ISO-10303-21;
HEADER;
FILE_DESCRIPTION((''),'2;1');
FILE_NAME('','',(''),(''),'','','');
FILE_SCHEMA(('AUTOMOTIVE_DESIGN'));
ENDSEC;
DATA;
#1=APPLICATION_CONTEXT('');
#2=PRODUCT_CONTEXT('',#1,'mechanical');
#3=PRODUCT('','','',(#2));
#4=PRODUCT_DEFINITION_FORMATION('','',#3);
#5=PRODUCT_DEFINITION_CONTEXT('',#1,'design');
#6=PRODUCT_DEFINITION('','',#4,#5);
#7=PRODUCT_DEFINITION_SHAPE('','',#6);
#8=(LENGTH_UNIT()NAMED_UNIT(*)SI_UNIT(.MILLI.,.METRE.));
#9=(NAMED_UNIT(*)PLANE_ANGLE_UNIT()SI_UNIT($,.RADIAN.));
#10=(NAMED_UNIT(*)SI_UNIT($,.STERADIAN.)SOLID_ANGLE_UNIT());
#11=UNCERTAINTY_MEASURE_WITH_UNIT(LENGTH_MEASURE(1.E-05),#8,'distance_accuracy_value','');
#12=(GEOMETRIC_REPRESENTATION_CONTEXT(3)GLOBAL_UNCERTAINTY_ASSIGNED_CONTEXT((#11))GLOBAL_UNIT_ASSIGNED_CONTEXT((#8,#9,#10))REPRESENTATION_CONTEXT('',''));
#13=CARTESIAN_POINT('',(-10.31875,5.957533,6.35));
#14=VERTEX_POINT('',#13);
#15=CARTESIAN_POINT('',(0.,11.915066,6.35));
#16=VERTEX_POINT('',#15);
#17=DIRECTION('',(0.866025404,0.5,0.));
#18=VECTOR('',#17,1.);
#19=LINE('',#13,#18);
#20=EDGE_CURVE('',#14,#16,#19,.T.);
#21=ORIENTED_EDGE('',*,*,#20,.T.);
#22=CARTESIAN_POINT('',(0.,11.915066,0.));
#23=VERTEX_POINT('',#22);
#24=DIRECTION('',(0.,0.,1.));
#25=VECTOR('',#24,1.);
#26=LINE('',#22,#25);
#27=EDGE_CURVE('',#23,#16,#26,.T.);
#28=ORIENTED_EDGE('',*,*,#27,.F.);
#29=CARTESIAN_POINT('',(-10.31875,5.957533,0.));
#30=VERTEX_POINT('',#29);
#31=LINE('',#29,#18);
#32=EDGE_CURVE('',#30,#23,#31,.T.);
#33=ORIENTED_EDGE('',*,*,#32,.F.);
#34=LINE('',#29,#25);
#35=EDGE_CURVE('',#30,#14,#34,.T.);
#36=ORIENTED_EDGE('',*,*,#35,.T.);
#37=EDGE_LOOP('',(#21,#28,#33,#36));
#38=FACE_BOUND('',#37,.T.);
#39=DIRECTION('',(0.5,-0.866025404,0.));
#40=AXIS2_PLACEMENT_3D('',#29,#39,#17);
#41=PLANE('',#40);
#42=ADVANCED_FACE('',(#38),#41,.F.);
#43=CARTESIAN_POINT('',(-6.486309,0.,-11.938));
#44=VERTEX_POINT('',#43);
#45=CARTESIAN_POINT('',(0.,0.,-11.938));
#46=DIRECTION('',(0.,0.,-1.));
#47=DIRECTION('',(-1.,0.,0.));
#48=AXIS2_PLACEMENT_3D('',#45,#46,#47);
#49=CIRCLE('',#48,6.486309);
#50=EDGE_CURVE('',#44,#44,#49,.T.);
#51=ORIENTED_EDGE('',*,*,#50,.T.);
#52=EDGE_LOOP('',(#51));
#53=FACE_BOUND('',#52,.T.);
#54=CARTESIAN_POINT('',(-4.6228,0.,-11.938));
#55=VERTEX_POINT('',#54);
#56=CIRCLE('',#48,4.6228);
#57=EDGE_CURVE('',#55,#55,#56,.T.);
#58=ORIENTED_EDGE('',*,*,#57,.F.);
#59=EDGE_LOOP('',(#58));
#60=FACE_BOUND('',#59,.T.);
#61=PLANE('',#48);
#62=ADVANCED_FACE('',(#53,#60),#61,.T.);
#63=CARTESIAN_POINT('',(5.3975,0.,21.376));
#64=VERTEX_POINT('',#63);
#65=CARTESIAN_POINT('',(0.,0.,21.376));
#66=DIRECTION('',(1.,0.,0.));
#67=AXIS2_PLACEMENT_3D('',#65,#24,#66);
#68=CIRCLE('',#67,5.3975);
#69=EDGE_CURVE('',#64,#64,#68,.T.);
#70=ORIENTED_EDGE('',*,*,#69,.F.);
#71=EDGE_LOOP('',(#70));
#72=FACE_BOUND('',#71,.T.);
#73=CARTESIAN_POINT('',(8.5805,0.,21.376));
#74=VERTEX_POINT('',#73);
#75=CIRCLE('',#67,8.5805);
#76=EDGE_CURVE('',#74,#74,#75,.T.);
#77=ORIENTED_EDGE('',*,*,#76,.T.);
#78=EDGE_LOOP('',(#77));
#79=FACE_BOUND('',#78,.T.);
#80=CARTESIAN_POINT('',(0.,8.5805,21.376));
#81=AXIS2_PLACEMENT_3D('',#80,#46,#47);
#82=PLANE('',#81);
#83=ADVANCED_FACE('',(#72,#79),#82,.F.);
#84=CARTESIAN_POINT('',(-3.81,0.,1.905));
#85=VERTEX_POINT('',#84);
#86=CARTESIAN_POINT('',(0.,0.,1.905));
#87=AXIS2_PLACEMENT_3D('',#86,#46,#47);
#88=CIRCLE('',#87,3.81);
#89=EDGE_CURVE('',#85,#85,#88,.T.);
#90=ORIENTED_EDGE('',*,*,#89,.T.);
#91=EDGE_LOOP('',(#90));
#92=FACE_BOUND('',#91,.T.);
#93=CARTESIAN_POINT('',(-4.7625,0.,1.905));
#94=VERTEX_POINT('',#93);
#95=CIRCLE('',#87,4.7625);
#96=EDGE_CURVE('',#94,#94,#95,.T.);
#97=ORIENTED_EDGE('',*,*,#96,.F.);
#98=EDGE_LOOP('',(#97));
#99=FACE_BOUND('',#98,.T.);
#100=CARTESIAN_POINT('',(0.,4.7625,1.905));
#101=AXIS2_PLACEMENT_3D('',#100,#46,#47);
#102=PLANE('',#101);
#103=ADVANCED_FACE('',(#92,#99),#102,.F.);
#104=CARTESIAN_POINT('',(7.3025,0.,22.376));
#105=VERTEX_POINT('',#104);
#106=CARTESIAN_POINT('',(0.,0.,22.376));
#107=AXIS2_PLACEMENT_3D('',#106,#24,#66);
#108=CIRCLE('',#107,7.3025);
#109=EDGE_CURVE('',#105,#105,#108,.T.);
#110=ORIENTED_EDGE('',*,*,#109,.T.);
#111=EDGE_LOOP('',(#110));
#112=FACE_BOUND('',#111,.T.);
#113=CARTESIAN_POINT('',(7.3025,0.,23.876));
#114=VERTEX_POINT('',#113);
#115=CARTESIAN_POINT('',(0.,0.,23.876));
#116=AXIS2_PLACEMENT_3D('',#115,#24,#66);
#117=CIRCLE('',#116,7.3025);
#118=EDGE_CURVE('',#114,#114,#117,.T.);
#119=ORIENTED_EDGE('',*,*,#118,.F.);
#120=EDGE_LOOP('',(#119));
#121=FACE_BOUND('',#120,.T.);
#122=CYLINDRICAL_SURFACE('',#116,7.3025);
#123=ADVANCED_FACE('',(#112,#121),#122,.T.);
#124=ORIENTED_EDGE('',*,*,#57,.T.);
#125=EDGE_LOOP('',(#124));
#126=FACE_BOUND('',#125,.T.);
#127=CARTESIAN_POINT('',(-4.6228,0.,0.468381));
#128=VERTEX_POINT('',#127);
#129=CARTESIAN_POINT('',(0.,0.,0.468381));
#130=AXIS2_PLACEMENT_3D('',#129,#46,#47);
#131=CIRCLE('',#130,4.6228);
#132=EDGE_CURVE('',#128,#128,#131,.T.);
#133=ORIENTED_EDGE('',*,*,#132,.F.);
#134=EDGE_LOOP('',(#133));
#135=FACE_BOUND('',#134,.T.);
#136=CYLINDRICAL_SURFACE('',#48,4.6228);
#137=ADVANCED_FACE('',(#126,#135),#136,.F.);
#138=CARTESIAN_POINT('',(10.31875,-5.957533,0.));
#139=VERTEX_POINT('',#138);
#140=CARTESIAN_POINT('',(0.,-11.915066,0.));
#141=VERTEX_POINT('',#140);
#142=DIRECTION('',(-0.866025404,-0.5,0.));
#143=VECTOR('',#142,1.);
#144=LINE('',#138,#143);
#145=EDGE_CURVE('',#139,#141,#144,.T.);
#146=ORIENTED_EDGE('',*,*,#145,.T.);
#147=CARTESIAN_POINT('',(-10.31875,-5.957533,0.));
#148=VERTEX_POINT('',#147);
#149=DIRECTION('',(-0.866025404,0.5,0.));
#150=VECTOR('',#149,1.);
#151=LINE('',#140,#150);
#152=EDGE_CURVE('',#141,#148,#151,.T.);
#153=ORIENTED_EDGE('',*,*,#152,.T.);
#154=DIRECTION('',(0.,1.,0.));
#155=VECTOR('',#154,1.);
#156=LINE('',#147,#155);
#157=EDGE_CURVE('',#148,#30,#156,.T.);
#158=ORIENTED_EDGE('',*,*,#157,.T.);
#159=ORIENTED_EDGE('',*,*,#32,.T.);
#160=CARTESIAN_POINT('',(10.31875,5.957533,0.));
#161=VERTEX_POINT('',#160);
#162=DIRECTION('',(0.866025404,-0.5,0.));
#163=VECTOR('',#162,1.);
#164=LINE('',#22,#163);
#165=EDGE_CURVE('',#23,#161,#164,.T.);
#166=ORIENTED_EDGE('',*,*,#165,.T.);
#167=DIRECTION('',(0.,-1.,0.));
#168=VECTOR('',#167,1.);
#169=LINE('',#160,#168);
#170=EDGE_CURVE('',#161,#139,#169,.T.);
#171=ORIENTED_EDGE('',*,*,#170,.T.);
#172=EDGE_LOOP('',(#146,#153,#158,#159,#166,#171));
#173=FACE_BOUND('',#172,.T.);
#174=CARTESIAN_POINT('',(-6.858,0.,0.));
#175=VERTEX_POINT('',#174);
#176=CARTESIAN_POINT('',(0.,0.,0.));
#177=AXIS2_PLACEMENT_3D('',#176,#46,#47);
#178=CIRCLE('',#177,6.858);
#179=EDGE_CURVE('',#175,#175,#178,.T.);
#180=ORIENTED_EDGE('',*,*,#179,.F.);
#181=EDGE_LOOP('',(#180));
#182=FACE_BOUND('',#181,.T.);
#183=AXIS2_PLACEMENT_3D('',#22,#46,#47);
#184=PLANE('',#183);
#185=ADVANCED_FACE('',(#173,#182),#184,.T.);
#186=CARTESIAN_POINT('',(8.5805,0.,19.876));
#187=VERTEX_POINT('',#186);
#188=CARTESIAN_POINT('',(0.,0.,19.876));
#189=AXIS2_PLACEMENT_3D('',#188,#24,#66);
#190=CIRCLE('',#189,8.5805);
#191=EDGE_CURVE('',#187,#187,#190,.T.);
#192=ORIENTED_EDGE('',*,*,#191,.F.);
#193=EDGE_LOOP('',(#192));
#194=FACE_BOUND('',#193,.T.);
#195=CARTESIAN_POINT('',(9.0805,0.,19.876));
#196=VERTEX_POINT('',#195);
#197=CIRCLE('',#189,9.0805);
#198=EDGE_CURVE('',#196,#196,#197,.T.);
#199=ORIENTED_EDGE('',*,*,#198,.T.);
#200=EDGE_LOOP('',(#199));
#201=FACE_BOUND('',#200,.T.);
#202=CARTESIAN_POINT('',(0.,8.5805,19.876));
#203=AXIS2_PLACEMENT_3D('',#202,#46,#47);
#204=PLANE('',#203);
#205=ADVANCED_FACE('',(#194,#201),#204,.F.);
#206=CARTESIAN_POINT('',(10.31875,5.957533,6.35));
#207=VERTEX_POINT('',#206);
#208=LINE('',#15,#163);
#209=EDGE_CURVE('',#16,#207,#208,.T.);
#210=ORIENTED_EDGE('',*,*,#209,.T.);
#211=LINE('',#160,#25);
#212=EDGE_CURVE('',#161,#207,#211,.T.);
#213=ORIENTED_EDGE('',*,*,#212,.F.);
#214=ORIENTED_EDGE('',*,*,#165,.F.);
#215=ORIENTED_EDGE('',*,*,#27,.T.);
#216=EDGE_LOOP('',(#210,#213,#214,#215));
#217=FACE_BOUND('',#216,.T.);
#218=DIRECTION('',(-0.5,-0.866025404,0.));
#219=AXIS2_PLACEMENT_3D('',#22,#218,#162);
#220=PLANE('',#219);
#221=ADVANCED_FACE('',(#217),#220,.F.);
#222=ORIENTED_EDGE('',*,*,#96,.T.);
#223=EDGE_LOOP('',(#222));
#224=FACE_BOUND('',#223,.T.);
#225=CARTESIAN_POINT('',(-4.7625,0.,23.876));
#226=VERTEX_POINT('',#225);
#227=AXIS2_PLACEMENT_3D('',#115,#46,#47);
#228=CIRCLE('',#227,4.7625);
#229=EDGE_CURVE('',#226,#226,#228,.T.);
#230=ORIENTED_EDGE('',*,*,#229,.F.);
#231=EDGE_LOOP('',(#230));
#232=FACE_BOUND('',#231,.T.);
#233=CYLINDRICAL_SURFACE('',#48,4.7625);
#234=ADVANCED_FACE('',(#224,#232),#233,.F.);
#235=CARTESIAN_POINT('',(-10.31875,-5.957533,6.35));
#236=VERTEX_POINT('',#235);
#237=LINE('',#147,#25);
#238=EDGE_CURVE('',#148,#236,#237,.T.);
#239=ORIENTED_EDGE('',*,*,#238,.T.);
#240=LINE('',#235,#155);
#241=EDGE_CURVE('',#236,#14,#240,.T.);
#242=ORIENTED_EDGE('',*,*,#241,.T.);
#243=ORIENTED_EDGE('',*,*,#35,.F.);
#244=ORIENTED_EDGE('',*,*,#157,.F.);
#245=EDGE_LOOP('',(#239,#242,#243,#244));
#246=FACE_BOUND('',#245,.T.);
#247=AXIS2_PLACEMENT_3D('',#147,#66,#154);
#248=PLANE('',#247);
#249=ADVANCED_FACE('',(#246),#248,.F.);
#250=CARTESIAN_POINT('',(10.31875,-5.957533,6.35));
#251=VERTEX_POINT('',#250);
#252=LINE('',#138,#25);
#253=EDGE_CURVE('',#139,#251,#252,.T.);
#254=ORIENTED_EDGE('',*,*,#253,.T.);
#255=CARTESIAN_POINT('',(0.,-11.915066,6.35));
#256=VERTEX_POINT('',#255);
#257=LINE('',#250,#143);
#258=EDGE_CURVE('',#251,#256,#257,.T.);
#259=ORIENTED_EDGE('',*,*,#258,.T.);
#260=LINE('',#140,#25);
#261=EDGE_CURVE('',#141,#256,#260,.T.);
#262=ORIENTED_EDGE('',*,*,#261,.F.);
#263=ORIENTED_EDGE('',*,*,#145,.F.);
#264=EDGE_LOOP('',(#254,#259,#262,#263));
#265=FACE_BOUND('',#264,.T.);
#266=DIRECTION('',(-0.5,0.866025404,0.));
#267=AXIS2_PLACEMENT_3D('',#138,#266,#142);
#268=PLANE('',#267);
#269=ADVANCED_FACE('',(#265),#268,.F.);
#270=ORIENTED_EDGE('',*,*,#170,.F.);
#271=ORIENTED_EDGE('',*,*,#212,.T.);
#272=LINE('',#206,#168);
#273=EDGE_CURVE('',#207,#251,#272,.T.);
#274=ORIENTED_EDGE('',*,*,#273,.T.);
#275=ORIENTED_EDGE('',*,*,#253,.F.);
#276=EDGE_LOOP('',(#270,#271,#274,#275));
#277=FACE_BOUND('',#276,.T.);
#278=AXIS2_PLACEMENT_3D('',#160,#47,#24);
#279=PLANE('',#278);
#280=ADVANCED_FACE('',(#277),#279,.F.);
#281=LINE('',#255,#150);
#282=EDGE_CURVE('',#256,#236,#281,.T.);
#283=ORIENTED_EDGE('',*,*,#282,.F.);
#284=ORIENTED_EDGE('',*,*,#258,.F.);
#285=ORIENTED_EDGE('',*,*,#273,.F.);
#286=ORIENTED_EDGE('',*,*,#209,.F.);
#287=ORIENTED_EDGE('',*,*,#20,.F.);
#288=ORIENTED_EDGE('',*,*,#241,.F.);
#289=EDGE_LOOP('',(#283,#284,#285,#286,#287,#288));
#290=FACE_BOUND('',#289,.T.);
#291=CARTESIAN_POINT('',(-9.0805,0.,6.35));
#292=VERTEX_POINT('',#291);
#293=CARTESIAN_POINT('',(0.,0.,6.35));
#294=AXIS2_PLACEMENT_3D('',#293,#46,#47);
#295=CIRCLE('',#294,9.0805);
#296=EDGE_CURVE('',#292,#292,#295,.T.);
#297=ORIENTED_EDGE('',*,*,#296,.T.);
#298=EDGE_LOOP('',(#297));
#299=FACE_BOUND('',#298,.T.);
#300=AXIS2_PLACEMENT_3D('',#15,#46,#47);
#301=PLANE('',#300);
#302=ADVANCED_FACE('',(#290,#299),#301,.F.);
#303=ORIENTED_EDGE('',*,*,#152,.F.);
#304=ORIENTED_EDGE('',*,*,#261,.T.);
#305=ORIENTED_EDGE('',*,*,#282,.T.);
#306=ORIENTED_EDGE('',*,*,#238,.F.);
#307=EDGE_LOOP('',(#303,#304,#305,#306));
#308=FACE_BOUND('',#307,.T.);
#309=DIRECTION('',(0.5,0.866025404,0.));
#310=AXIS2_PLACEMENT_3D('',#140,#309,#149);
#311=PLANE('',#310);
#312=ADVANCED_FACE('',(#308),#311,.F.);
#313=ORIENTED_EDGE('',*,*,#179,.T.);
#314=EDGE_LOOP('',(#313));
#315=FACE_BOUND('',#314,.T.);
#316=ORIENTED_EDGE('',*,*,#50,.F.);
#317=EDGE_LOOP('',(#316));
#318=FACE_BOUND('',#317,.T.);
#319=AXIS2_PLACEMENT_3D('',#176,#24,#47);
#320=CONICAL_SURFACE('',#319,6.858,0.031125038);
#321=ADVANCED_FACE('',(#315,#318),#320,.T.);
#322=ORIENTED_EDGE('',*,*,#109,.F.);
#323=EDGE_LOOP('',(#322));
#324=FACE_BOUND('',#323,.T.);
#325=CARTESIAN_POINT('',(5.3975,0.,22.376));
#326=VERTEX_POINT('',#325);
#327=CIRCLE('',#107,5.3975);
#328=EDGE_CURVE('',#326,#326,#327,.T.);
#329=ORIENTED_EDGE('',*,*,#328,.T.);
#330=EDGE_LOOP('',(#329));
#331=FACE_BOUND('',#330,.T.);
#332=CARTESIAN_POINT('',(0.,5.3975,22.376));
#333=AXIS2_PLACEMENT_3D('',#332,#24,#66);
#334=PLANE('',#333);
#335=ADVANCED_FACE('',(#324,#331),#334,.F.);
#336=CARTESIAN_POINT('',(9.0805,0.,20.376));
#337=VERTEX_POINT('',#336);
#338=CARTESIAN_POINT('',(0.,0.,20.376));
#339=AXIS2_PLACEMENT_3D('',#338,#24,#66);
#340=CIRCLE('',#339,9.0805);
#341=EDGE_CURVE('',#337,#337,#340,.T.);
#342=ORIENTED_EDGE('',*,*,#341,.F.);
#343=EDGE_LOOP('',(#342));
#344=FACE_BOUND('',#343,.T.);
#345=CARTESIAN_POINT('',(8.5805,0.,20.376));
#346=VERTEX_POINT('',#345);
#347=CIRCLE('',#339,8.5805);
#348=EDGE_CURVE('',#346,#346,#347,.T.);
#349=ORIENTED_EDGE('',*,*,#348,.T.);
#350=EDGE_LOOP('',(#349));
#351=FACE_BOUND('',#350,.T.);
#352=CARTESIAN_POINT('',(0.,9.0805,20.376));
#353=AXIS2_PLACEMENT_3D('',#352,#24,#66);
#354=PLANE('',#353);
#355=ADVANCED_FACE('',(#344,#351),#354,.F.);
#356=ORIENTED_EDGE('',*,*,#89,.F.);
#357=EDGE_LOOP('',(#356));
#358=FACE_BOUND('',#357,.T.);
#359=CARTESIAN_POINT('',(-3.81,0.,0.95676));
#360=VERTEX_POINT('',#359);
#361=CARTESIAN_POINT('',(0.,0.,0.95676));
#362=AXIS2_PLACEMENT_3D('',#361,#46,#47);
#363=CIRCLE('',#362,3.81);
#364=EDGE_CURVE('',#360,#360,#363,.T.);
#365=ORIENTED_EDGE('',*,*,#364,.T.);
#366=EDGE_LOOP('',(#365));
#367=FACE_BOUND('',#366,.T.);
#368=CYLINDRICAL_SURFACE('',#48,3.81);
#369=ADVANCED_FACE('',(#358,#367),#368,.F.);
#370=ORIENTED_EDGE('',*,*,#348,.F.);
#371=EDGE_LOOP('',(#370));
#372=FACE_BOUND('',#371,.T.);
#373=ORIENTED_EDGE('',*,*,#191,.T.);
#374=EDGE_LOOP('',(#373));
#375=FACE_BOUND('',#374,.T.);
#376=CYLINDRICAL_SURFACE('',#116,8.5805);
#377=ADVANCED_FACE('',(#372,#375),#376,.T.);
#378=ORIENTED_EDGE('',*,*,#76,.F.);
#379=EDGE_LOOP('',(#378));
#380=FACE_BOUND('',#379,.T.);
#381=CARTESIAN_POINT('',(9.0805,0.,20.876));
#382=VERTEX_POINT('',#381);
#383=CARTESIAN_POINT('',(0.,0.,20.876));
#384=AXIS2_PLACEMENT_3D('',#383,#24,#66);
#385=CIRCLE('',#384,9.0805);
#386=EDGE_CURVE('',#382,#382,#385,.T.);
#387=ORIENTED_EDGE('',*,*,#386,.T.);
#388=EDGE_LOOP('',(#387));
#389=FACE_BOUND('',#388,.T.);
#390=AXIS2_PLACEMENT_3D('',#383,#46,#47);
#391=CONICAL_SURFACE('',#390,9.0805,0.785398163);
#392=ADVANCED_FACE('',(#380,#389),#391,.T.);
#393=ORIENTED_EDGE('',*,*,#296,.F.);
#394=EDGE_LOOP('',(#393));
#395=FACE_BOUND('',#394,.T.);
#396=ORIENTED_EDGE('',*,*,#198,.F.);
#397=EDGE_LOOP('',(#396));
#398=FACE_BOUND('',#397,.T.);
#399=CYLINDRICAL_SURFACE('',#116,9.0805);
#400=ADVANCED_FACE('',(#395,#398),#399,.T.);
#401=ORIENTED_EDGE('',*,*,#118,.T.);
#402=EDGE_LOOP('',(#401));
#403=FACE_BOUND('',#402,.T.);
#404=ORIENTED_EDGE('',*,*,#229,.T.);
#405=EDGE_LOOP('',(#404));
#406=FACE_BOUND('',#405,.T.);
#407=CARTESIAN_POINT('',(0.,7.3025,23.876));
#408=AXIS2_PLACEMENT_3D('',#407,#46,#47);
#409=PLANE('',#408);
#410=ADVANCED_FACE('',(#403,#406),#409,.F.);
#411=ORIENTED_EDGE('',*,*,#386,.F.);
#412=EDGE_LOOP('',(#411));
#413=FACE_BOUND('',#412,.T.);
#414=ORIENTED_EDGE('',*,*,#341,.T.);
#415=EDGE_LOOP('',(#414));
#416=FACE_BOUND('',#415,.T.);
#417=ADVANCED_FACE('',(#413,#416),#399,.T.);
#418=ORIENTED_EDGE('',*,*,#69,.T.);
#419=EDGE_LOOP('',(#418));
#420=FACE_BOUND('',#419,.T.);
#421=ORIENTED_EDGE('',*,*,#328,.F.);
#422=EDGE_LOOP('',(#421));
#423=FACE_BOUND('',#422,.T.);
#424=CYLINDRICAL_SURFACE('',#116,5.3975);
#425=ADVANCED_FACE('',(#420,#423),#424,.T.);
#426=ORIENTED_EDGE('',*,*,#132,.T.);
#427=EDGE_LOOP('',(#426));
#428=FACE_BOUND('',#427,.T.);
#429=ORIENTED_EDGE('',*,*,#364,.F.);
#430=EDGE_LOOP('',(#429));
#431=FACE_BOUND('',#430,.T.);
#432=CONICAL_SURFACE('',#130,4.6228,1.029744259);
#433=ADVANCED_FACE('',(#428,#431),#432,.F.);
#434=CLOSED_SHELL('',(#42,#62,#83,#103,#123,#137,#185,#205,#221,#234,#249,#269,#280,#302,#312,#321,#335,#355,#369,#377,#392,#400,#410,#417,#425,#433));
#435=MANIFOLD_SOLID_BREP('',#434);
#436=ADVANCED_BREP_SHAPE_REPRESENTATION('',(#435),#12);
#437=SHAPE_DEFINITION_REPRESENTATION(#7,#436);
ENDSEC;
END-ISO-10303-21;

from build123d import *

# Parameters (mm, degrees)
BOSS_EXTRUDE1_DEPTH = 6.35
SKETCH5_R           = 6.858
BOSS_EXTRUDE2_DEPTH = 11.938
BOSS_EXTRUDE2_TAPER = 1.783333333


with BuildPart() as part:
    # Sketch2 → Revolve1 (revolve)
    with BuildSketch(Plane(origin=(0, 0, 0), x_dir=(0, 0, -1), z_dir=(1, 0, 0)), mode=Mode.PRIVATE) as revolve1_sk:
        Polygon((-23.876, 0), (-6.35, 0), (-6.35, 9.0805), (-19.876, 9.0805), (-19.876, 8.5805), (-20.376, 8.5805), (-20.376, 9.0805), (-20.876, 9.0805), (-21.376, 8.5805), (-21.376, 5.3975), (-22.376, 5.3975), (-22.376, 7.3025), (-23.876, 7.3025), align=None)
    revolve(revolve1_sk.sketch.rotate(Axis((0, 0, 23.876), (0, 0, -1)), 90), axis=Axis((0, 0, 23.876), (0, 0, -1)))

    # Sketch3 → Boss-Extrude1 (add)
    with BuildSketch(Plane(origin=(0, 0, 6.35), x_dir=(-1, 0, 0), z_dir=(0, 0, -1))):
        Polygon((0, 11.91506618), (-10.31875, 5.95753309), (-10.31875, -5.95753309), (0, -11.91506618), (10.31875, -5.95753309), (10.31875, 5.95753309), align=None)
    extrude(amount=BOSS_EXTRUDE1_DEPTH)


with BuildPart() as body_2:
    # Sketch5 → Boss-Extrude2 (new body)
    with BuildSketch(Plane(origin=(0, 0, 0), x_dir=(-1, 0, 0), z_dir=(0, 0, -1))):
        Circle(SKETCH5_R)
    extrude(amount=BOSS_EXTRUDE2_DEPTH, taper=BOSS_EXTRUDE2_TAPER)


with BuildPart() as part_1:
    add(part.part)

    # Combine1: union body 2
    add(body_2.part)

    # Sketch9 → Cut-Revolve2 (revolve, cut)
    with BuildSketch(Plane(origin=(0, 0, 0), x_dir=(0, 0, -1), z_dir=(1, 0, 0)), mode=Mode.PRIVATE) as cut_revolve2_sk:
        Polygon((-23.876, 4.7625), (-1.905, 4.7625), (-1.905, 3.81), (-0.956760375, 3.81), (-0.468380864, 4.6228), (11.938, 4.6228), (11.938, 0), (-23.876, 0), align=None)
    revolve(cut_revolve2_sk.sketch.rotate(Axis((0, 0, -11.938), (0, 0, 1)), 90), axis=Axis((0, 0, -11.938), (0, 0, 1)), mode=Mode.SUBTRACT)


solid = part_1.part
